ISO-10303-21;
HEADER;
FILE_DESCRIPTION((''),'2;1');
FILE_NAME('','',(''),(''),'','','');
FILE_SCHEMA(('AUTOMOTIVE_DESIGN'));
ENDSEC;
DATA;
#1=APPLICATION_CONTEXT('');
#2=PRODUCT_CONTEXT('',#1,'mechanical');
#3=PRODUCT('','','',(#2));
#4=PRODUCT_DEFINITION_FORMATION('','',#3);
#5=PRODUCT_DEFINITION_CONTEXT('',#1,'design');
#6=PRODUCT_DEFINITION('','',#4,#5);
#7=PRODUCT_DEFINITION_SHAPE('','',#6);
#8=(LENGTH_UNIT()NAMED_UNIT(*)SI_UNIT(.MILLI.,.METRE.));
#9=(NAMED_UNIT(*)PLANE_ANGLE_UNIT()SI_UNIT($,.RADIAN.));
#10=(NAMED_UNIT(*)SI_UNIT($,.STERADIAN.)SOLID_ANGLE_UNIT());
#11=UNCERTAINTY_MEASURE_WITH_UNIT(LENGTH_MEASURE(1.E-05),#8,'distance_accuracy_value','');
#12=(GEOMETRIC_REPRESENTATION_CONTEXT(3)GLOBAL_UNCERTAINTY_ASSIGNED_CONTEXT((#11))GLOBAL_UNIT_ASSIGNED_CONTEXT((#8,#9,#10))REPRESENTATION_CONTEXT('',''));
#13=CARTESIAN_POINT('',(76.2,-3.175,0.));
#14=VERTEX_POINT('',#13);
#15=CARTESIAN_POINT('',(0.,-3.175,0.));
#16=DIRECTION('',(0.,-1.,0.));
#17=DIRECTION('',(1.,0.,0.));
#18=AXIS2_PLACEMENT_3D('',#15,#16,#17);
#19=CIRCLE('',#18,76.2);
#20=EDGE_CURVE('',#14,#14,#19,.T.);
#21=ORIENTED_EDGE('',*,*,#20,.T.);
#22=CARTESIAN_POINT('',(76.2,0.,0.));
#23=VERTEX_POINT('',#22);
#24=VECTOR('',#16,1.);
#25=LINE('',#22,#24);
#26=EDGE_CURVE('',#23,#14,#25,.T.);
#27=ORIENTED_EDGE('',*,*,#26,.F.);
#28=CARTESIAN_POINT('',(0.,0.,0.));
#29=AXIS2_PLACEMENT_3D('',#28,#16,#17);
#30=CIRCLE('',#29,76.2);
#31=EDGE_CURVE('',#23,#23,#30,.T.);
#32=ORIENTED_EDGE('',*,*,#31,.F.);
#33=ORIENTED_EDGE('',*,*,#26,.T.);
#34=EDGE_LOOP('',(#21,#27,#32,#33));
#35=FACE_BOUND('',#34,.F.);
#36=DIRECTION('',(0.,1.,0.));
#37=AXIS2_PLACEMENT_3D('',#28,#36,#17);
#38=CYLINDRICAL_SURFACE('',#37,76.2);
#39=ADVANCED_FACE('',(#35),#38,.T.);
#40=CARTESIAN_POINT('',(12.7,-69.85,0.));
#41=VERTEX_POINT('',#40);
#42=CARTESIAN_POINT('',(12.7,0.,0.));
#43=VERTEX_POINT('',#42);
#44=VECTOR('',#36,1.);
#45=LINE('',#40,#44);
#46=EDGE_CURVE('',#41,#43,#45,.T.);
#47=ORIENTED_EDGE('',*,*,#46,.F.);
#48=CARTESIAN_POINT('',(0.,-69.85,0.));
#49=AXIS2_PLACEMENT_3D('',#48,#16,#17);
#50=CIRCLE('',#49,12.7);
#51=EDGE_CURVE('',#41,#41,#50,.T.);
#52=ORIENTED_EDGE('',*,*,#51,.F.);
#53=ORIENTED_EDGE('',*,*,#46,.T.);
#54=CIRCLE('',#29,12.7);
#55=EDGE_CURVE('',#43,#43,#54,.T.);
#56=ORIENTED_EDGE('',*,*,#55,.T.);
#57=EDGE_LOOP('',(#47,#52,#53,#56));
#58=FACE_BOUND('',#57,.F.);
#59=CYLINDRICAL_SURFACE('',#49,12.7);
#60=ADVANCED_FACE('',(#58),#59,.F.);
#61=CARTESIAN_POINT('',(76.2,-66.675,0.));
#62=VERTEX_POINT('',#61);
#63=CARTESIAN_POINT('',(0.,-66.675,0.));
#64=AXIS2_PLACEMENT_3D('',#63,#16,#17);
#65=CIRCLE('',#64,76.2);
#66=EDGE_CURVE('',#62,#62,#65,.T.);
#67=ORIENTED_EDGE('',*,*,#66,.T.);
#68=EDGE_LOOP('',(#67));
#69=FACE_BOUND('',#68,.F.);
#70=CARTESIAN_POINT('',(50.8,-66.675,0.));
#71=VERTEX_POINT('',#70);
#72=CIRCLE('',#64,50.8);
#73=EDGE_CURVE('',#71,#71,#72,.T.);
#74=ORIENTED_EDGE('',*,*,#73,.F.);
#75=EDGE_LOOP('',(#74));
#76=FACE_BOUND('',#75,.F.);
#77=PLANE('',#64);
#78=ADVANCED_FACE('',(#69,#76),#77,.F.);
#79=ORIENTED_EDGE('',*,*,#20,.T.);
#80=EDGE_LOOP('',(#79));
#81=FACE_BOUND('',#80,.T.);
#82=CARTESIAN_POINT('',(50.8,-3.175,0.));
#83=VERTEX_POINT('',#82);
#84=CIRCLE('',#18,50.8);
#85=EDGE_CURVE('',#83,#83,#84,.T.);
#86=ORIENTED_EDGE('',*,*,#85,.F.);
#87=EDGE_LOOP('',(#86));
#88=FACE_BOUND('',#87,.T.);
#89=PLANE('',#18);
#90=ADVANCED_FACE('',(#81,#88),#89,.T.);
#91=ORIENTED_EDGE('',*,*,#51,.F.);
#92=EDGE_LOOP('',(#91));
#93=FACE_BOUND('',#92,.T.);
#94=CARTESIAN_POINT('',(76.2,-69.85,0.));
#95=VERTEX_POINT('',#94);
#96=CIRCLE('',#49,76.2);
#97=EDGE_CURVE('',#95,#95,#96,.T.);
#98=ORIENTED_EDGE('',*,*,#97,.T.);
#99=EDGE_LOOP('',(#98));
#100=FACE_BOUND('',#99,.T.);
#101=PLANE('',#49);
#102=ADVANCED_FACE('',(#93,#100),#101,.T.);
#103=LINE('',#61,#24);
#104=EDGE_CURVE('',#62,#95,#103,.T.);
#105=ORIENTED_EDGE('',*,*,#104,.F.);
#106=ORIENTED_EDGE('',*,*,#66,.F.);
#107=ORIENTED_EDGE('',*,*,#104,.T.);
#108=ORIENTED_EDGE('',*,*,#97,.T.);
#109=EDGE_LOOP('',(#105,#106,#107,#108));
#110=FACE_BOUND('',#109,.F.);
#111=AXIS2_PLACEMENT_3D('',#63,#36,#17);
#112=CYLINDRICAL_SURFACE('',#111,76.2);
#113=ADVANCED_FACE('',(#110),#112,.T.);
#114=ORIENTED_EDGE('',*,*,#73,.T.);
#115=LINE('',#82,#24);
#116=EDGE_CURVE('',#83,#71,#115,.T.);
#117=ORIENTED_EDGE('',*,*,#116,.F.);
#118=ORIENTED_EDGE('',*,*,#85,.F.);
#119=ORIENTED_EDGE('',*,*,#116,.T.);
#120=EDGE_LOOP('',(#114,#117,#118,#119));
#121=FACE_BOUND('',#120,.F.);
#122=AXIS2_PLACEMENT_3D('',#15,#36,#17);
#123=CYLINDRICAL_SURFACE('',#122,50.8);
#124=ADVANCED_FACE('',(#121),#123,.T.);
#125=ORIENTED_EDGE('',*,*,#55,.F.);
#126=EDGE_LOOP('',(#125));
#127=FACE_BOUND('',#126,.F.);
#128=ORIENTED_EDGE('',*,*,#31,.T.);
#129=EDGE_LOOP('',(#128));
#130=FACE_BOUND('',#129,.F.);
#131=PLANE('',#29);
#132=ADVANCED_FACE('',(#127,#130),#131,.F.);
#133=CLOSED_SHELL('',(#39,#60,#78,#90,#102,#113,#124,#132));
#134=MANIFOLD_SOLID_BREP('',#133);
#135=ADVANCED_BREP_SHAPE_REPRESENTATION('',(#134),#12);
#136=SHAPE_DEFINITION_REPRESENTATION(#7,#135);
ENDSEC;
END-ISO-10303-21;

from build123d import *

# Parameters (mm, degrees)
F0_R     = 76.2
F1_DEPTH = 3.175
F2_R     = 50.8
F3_DEPTH = 63.5
F4_R     = 76.2
F5_DEPTH = 3.175
F6_R     = 12.7
F7_DEPTH = 254


with BuildPart() as f1:
    # F0 (on Front) → F1 (new body)
    with BuildSketch(Plane.XZ):
        Circle(F0_R)
    extrude(amount=F1_DEPTH)

    # F2 (on face) → F3 (join)
    with BuildSketch(Plane.XZ.offset(3.175)):
        Circle(F2_R)
    extrude(amount=F3_DEPTH)

    # F4 (on face) → F5 (join)
    with BuildSketch(Plane.XZ.offset(66.675)):
        Circle(F4_R)
    extrude(amount=F5_DEPTH)

    # F6 (on face) → F7 (cut)
    with BuildSketch(Plane.XZ.offset(69.85)):
        Circle(F6_R)
    extrude(amount=-F7_DEPTH, mode=Mode.SUBTRACT)


solid = f1.part
